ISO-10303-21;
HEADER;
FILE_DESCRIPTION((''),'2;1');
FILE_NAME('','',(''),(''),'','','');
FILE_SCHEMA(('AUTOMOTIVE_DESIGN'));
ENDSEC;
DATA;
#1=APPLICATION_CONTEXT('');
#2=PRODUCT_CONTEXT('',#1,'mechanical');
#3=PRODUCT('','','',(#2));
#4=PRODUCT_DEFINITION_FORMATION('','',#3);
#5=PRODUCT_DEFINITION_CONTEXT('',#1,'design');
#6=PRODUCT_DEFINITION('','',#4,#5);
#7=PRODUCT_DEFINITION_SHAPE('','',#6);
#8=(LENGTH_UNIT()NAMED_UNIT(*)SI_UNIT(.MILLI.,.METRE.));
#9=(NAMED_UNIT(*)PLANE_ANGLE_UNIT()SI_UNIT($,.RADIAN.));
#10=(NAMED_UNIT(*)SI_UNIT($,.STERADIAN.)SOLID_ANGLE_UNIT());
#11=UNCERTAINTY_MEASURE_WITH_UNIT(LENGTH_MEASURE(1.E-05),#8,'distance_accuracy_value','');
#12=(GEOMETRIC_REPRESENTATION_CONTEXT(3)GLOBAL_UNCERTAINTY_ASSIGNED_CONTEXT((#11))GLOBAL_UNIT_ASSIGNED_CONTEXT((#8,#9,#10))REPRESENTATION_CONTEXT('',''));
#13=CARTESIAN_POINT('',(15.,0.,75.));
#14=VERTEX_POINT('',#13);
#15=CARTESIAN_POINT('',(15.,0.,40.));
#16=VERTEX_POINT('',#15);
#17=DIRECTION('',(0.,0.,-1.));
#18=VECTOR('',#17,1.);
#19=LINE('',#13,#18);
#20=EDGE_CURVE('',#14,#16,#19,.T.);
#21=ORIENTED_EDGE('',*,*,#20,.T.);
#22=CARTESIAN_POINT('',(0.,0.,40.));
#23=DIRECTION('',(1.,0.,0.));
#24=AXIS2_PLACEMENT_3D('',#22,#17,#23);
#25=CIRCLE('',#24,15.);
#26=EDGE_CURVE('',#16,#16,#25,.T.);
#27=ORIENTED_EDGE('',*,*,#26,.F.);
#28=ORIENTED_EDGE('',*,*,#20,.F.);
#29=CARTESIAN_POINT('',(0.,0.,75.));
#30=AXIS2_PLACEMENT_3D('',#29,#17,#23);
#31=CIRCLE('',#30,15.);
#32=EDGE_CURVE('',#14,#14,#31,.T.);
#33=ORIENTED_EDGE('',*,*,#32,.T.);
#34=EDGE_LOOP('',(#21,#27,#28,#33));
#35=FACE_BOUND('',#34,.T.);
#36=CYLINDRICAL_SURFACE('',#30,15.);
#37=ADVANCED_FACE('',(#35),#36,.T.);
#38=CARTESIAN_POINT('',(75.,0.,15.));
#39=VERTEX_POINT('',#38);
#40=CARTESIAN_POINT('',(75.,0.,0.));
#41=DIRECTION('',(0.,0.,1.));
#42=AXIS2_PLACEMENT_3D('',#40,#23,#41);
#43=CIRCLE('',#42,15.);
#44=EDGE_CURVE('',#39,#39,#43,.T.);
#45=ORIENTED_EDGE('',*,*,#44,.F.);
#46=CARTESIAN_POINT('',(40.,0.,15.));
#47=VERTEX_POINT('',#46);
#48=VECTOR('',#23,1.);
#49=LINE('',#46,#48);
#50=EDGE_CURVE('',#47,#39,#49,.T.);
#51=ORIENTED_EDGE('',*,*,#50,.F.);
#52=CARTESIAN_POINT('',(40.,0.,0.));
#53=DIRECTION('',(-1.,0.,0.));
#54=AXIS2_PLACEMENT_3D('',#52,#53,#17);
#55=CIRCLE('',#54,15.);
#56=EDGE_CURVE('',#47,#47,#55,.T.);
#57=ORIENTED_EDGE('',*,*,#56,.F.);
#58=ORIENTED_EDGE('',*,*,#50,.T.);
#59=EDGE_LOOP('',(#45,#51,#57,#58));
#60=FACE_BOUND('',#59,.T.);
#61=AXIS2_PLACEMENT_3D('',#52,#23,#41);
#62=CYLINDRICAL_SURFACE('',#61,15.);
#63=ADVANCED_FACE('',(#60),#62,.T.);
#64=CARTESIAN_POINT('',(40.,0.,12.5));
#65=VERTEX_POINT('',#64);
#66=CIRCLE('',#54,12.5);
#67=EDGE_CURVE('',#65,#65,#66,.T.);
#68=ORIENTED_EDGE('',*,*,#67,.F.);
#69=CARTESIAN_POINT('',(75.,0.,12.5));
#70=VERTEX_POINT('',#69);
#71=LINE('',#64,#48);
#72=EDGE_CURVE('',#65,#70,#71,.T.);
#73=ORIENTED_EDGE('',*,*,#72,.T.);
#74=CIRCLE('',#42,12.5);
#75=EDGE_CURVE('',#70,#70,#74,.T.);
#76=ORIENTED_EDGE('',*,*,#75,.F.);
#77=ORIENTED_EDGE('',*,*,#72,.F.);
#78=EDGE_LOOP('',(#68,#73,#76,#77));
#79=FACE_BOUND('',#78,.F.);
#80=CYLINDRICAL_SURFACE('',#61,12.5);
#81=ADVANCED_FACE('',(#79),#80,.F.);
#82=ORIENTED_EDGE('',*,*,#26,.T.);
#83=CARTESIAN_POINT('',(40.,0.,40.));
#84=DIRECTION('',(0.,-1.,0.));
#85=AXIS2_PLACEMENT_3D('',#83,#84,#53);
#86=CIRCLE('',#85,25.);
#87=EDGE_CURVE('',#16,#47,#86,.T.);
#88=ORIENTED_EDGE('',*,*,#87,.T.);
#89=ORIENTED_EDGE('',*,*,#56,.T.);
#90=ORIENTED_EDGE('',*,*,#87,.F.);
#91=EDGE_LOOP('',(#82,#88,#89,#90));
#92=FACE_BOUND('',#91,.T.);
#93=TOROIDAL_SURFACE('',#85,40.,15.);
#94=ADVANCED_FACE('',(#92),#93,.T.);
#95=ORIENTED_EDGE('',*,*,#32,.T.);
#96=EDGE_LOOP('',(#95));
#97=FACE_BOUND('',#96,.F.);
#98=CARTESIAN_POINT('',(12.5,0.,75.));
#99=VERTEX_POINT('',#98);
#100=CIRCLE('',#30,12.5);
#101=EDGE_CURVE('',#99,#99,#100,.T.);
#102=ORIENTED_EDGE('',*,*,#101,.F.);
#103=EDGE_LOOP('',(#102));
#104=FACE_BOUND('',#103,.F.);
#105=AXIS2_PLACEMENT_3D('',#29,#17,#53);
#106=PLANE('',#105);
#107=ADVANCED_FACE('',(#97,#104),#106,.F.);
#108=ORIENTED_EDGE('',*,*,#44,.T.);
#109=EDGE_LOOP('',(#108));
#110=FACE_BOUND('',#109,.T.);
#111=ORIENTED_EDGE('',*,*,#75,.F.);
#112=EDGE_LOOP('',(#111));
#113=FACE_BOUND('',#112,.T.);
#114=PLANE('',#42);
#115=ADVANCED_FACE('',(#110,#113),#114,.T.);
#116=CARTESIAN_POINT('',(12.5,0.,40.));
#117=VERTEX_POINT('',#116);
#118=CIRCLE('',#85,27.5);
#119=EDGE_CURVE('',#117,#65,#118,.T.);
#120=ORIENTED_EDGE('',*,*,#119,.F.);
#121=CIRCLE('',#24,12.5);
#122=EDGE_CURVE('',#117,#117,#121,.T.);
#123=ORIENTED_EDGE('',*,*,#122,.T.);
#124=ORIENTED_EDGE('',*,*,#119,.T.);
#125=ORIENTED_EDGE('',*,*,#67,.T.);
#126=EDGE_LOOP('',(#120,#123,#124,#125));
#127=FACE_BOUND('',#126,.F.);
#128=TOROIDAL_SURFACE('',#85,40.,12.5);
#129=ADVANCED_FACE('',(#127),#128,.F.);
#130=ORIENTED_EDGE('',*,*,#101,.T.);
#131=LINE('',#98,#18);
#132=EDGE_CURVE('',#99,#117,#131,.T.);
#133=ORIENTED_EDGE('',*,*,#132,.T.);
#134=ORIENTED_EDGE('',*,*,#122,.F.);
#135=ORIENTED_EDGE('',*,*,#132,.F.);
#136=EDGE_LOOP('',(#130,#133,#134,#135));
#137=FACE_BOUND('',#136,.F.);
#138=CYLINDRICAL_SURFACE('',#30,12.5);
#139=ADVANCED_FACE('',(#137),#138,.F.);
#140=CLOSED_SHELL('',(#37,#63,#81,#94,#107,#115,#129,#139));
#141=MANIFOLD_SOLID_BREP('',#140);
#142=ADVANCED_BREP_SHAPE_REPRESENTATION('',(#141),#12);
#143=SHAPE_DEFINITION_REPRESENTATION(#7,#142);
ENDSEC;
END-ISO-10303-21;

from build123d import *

# Parameters (mm, degrees)
F2_R = 15
F4_T = -2.5


with BuildPart() as f3:
    # F3: sweep along a path in F0
    with BuildLine(Plane.XZ) as f3_path:
        Line((0, 75), (0, 40))
        ThreePointArc((0, 40), (11.7157287525, 11.7157287525), (40, 0))
        Line((40, 0), (75, 0))
    # F2 (on line) → F3 (sweep)
    with BuildSketch(Plane(origin=(0, 0, 75), x_dir=(1, 0, 0), z_dir=(0, 0, -1))):
        Circle(F2_R)
    sweep(path=f3_path.line)

    # F4
    f4_openings = [f3.faces().sort_by_distance(p)[0] for p in [
        (75, 0, 0),
        (0, 0, 75),
    ]]
    offset(amount=F4_T, openings=f4_openings)


solid = f3.part
